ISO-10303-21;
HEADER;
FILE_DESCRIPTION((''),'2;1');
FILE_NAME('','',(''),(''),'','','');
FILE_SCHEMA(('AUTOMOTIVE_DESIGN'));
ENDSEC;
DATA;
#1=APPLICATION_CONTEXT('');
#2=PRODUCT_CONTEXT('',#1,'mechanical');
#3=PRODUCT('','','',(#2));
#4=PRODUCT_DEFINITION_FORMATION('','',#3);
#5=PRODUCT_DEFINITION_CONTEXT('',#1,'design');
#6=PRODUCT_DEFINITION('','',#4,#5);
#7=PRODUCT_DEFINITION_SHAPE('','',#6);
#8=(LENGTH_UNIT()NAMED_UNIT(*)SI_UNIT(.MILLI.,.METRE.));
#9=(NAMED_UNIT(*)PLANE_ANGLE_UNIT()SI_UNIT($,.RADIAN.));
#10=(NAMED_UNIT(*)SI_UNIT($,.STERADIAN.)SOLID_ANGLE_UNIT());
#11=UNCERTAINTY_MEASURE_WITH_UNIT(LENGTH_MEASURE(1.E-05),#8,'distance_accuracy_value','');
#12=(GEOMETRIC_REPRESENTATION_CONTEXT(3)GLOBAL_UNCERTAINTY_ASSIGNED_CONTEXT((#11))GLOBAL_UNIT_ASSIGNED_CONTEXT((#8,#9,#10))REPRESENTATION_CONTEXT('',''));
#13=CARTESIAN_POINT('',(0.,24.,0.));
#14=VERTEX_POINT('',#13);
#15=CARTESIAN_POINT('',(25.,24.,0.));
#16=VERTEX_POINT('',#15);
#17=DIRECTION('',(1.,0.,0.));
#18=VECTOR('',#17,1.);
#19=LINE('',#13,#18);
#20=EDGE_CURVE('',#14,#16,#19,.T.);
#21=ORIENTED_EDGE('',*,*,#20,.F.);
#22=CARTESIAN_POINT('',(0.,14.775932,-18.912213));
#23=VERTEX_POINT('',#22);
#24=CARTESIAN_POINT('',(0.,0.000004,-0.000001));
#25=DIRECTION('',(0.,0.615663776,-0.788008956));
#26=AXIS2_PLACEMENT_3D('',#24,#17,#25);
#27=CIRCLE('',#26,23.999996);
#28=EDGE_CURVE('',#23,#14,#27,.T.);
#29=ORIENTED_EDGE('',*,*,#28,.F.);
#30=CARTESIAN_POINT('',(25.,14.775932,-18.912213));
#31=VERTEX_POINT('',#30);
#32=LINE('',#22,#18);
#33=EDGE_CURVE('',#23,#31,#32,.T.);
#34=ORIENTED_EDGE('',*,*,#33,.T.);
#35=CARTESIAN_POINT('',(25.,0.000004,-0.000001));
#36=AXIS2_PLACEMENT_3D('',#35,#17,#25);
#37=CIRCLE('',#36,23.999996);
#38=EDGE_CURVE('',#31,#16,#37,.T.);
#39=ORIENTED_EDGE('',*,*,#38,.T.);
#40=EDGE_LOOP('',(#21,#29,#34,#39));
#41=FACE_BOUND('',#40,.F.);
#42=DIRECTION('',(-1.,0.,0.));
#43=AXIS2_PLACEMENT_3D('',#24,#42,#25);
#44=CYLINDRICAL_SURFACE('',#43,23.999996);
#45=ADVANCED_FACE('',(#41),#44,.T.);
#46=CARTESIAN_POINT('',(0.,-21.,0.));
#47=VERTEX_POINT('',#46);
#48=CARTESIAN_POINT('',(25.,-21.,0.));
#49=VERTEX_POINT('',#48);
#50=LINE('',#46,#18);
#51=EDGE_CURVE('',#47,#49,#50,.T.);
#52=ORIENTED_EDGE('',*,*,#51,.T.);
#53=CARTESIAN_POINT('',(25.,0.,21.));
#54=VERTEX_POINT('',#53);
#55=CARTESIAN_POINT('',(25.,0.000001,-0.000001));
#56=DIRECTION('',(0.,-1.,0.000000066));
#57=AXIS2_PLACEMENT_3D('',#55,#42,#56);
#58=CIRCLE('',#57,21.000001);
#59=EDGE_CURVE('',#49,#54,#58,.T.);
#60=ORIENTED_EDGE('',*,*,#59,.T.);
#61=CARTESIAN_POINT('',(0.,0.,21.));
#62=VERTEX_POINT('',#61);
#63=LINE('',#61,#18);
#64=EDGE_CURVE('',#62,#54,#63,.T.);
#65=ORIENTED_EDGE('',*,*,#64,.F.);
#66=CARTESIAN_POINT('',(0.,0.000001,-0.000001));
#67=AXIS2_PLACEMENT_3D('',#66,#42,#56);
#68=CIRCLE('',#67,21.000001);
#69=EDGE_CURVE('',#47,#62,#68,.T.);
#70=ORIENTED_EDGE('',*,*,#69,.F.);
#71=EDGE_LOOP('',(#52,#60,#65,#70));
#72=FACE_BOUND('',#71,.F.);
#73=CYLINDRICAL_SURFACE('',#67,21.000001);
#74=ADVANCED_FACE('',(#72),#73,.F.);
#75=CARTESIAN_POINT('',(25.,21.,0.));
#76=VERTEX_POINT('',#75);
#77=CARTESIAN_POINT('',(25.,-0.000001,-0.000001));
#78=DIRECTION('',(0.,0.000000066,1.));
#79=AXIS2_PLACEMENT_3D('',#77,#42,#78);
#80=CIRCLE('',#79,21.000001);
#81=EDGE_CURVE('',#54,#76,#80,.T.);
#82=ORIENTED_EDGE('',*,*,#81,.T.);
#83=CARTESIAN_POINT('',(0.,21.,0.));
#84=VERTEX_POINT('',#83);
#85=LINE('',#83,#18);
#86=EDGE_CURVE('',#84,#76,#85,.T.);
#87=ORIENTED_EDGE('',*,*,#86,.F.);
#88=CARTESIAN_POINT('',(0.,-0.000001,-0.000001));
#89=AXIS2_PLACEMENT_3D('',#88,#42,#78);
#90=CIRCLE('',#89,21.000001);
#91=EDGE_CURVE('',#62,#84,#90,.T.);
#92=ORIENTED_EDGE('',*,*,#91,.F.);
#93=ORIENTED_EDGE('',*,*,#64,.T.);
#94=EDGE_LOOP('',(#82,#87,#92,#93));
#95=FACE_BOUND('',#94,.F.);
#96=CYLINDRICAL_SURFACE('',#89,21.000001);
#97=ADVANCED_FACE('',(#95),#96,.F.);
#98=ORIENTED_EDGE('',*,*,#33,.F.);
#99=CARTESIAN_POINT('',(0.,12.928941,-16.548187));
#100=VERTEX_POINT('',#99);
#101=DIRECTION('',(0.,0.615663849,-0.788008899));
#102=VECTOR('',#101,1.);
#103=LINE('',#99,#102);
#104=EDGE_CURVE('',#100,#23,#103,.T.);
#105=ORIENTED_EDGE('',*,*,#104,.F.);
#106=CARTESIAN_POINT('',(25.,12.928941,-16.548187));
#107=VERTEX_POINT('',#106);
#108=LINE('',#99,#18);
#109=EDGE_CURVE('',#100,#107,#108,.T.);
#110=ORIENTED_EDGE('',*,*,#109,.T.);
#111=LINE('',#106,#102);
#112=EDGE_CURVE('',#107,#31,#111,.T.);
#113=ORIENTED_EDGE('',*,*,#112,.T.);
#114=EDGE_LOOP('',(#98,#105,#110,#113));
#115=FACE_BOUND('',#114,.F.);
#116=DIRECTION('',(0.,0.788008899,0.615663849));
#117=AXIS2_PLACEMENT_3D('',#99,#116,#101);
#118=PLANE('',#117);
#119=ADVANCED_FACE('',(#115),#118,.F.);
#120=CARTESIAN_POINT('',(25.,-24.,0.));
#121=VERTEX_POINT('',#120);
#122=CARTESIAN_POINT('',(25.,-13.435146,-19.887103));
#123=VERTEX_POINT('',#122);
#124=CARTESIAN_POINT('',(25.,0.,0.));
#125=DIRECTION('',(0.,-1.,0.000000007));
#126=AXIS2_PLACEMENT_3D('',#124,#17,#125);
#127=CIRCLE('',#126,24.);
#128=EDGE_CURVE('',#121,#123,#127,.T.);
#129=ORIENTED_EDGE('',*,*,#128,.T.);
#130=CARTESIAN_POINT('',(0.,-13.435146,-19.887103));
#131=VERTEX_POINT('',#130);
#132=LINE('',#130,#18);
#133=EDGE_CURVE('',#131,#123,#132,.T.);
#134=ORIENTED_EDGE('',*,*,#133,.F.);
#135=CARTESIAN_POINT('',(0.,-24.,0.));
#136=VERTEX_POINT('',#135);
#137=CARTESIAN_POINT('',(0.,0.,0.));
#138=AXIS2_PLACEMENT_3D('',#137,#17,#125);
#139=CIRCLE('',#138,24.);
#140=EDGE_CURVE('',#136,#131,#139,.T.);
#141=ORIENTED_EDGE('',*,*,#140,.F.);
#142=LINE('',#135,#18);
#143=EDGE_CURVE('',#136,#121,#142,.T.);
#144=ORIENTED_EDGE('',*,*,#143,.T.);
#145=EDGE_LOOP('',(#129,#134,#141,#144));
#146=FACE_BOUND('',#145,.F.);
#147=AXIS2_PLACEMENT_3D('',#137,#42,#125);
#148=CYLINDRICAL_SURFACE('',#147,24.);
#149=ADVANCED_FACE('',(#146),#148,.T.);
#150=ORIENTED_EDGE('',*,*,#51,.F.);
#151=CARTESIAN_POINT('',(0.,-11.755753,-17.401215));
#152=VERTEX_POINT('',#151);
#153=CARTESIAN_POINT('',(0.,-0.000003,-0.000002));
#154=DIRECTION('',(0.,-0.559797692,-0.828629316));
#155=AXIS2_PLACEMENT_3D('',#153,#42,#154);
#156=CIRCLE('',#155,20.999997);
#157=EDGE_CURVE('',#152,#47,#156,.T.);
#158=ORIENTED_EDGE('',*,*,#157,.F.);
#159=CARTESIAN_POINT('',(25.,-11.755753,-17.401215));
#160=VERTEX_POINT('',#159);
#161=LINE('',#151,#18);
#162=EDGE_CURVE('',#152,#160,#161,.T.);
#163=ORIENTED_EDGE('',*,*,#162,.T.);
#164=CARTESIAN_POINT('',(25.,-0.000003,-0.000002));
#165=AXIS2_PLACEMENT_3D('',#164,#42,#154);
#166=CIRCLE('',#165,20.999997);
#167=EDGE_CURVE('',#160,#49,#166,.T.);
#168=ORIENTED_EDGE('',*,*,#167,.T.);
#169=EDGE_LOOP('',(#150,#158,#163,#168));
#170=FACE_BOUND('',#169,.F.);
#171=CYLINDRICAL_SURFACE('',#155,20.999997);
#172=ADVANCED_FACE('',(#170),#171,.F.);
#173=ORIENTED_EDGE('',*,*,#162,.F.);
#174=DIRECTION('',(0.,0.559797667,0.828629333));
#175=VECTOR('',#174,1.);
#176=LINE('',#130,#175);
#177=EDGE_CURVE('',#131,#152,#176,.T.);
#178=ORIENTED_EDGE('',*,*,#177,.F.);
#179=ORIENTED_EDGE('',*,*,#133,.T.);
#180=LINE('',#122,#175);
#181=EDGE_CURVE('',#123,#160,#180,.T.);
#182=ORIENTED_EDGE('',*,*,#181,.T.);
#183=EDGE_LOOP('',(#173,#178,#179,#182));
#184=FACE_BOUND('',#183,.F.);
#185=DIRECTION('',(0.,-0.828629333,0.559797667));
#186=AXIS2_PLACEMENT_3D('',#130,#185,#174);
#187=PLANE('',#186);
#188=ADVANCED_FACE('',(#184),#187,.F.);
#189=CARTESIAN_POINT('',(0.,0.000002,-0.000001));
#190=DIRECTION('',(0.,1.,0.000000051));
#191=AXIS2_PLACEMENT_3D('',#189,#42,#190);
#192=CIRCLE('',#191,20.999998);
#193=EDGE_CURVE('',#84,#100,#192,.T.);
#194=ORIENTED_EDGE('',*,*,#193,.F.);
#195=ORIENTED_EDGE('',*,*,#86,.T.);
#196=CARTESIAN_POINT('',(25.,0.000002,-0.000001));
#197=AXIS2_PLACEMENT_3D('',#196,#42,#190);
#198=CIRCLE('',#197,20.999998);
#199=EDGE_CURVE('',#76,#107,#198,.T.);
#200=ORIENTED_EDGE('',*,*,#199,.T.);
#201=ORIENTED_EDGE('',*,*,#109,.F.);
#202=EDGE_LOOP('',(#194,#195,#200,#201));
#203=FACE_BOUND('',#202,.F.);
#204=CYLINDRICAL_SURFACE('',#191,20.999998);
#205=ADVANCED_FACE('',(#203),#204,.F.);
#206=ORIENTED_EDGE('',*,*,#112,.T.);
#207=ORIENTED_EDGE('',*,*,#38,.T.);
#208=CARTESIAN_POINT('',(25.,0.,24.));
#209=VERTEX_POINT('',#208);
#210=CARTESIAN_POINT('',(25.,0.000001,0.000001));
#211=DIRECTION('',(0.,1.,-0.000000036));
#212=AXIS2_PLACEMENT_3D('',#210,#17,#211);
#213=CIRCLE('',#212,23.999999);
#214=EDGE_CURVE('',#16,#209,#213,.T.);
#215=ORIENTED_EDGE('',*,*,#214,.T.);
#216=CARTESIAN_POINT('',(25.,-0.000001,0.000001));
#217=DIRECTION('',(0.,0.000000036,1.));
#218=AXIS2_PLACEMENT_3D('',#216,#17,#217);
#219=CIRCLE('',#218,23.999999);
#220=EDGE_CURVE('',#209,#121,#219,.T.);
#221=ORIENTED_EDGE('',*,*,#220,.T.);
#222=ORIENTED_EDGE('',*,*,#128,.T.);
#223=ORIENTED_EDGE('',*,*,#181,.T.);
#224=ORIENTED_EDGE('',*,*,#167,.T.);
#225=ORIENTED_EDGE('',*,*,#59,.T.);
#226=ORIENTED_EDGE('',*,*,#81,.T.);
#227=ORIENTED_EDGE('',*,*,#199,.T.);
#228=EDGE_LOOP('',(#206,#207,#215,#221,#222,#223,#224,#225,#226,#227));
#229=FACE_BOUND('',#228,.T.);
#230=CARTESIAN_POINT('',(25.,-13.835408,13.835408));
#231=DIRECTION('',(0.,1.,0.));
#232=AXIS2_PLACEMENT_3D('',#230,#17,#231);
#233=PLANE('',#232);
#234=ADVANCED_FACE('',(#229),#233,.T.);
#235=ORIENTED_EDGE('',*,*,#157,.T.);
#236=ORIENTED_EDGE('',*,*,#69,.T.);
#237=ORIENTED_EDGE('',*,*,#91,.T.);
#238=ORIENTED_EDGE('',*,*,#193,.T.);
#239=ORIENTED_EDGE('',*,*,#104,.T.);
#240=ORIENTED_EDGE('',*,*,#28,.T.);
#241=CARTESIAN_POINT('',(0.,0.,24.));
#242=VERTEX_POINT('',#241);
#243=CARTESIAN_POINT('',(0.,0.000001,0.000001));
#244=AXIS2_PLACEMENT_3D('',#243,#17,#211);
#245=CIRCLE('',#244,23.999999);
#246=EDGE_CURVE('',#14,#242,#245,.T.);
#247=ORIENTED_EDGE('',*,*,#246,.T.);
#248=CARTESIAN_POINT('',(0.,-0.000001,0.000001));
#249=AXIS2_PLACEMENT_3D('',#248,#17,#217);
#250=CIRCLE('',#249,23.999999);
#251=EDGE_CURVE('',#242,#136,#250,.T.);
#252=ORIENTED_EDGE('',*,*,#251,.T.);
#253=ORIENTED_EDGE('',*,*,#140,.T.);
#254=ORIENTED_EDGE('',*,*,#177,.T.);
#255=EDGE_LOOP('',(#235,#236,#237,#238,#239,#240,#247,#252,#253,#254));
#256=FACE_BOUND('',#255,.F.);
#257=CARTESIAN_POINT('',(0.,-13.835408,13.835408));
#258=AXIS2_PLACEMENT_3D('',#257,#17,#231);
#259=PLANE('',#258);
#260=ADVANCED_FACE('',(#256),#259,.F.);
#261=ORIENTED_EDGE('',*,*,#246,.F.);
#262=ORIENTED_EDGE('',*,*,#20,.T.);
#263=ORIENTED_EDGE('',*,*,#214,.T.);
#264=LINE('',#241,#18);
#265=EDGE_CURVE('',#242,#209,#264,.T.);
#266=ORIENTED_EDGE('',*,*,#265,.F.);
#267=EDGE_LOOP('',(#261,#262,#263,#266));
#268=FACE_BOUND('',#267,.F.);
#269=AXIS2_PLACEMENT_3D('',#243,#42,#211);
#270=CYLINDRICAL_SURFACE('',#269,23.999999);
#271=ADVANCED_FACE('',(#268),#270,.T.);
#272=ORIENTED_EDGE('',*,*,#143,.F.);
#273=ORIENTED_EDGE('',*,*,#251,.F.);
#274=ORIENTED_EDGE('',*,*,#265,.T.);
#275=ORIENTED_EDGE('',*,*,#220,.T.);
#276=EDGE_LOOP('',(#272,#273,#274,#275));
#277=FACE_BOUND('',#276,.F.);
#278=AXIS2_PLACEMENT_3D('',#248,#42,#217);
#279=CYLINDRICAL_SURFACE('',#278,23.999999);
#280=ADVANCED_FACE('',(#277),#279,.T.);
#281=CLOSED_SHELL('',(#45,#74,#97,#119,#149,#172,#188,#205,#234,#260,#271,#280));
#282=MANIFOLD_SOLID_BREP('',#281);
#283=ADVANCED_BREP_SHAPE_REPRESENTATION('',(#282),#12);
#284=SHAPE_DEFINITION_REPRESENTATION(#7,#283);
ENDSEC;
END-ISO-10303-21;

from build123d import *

# Parameters (mm, degrees)
F1_DEPTH = 25


with BuildPart() as f1:
    # F0 (on Right) → F1 (new body)
    with BuildSketch(Plane.YZ):
        with BuildLine():
            Line((0, 21), (0, 24))
            ThreePointArc((0, 24), (-16.970563, 16.970563), (-24, 0))
            Line((-24, 0), (-21, 0))
            ThreePointArc((-21, 0), (-14.849242, 14.849242), (0, 21))
        make_face()
        with BuildLine():
            Line((-21, 0), (-24, 0))
            ThreePointArc((-24, 0), (-21.194852, -11.259585), (-13.435146, -19.887103))
            Line((-13.435146, -19.887103), (-11.755753, -17.401215))
            ThreePointArc((-11.755753, -17.401215), (-18.545496, -9.852137), (-21, 0))
        make_face()
        with BuildLine():
            Line((21, 0), (24, 0))
            ThreePointArc((24, 0), (16.970563, 16.970563), (0, 24))
            Line((0, 24), (0, 21))
            ThreePointArc((0, 21), (14.849242, 14.849242), (21, 0))
        make_face()
        with BuildLine():
            Line((12.928941, -16.548187), (14.775932, -18.912213))
            ThreePointArc((14.775932, -18.912213), (21.571073, -10.520875), (24, 0))
            Line((24, 0), (21, 0))
            ThreePointArc((21, 0), (18.874689, -9.205766), (12.928941, -16.548187))
        make_face()
    extrude(amount=F1_DEPTH)


solid = f1.part
